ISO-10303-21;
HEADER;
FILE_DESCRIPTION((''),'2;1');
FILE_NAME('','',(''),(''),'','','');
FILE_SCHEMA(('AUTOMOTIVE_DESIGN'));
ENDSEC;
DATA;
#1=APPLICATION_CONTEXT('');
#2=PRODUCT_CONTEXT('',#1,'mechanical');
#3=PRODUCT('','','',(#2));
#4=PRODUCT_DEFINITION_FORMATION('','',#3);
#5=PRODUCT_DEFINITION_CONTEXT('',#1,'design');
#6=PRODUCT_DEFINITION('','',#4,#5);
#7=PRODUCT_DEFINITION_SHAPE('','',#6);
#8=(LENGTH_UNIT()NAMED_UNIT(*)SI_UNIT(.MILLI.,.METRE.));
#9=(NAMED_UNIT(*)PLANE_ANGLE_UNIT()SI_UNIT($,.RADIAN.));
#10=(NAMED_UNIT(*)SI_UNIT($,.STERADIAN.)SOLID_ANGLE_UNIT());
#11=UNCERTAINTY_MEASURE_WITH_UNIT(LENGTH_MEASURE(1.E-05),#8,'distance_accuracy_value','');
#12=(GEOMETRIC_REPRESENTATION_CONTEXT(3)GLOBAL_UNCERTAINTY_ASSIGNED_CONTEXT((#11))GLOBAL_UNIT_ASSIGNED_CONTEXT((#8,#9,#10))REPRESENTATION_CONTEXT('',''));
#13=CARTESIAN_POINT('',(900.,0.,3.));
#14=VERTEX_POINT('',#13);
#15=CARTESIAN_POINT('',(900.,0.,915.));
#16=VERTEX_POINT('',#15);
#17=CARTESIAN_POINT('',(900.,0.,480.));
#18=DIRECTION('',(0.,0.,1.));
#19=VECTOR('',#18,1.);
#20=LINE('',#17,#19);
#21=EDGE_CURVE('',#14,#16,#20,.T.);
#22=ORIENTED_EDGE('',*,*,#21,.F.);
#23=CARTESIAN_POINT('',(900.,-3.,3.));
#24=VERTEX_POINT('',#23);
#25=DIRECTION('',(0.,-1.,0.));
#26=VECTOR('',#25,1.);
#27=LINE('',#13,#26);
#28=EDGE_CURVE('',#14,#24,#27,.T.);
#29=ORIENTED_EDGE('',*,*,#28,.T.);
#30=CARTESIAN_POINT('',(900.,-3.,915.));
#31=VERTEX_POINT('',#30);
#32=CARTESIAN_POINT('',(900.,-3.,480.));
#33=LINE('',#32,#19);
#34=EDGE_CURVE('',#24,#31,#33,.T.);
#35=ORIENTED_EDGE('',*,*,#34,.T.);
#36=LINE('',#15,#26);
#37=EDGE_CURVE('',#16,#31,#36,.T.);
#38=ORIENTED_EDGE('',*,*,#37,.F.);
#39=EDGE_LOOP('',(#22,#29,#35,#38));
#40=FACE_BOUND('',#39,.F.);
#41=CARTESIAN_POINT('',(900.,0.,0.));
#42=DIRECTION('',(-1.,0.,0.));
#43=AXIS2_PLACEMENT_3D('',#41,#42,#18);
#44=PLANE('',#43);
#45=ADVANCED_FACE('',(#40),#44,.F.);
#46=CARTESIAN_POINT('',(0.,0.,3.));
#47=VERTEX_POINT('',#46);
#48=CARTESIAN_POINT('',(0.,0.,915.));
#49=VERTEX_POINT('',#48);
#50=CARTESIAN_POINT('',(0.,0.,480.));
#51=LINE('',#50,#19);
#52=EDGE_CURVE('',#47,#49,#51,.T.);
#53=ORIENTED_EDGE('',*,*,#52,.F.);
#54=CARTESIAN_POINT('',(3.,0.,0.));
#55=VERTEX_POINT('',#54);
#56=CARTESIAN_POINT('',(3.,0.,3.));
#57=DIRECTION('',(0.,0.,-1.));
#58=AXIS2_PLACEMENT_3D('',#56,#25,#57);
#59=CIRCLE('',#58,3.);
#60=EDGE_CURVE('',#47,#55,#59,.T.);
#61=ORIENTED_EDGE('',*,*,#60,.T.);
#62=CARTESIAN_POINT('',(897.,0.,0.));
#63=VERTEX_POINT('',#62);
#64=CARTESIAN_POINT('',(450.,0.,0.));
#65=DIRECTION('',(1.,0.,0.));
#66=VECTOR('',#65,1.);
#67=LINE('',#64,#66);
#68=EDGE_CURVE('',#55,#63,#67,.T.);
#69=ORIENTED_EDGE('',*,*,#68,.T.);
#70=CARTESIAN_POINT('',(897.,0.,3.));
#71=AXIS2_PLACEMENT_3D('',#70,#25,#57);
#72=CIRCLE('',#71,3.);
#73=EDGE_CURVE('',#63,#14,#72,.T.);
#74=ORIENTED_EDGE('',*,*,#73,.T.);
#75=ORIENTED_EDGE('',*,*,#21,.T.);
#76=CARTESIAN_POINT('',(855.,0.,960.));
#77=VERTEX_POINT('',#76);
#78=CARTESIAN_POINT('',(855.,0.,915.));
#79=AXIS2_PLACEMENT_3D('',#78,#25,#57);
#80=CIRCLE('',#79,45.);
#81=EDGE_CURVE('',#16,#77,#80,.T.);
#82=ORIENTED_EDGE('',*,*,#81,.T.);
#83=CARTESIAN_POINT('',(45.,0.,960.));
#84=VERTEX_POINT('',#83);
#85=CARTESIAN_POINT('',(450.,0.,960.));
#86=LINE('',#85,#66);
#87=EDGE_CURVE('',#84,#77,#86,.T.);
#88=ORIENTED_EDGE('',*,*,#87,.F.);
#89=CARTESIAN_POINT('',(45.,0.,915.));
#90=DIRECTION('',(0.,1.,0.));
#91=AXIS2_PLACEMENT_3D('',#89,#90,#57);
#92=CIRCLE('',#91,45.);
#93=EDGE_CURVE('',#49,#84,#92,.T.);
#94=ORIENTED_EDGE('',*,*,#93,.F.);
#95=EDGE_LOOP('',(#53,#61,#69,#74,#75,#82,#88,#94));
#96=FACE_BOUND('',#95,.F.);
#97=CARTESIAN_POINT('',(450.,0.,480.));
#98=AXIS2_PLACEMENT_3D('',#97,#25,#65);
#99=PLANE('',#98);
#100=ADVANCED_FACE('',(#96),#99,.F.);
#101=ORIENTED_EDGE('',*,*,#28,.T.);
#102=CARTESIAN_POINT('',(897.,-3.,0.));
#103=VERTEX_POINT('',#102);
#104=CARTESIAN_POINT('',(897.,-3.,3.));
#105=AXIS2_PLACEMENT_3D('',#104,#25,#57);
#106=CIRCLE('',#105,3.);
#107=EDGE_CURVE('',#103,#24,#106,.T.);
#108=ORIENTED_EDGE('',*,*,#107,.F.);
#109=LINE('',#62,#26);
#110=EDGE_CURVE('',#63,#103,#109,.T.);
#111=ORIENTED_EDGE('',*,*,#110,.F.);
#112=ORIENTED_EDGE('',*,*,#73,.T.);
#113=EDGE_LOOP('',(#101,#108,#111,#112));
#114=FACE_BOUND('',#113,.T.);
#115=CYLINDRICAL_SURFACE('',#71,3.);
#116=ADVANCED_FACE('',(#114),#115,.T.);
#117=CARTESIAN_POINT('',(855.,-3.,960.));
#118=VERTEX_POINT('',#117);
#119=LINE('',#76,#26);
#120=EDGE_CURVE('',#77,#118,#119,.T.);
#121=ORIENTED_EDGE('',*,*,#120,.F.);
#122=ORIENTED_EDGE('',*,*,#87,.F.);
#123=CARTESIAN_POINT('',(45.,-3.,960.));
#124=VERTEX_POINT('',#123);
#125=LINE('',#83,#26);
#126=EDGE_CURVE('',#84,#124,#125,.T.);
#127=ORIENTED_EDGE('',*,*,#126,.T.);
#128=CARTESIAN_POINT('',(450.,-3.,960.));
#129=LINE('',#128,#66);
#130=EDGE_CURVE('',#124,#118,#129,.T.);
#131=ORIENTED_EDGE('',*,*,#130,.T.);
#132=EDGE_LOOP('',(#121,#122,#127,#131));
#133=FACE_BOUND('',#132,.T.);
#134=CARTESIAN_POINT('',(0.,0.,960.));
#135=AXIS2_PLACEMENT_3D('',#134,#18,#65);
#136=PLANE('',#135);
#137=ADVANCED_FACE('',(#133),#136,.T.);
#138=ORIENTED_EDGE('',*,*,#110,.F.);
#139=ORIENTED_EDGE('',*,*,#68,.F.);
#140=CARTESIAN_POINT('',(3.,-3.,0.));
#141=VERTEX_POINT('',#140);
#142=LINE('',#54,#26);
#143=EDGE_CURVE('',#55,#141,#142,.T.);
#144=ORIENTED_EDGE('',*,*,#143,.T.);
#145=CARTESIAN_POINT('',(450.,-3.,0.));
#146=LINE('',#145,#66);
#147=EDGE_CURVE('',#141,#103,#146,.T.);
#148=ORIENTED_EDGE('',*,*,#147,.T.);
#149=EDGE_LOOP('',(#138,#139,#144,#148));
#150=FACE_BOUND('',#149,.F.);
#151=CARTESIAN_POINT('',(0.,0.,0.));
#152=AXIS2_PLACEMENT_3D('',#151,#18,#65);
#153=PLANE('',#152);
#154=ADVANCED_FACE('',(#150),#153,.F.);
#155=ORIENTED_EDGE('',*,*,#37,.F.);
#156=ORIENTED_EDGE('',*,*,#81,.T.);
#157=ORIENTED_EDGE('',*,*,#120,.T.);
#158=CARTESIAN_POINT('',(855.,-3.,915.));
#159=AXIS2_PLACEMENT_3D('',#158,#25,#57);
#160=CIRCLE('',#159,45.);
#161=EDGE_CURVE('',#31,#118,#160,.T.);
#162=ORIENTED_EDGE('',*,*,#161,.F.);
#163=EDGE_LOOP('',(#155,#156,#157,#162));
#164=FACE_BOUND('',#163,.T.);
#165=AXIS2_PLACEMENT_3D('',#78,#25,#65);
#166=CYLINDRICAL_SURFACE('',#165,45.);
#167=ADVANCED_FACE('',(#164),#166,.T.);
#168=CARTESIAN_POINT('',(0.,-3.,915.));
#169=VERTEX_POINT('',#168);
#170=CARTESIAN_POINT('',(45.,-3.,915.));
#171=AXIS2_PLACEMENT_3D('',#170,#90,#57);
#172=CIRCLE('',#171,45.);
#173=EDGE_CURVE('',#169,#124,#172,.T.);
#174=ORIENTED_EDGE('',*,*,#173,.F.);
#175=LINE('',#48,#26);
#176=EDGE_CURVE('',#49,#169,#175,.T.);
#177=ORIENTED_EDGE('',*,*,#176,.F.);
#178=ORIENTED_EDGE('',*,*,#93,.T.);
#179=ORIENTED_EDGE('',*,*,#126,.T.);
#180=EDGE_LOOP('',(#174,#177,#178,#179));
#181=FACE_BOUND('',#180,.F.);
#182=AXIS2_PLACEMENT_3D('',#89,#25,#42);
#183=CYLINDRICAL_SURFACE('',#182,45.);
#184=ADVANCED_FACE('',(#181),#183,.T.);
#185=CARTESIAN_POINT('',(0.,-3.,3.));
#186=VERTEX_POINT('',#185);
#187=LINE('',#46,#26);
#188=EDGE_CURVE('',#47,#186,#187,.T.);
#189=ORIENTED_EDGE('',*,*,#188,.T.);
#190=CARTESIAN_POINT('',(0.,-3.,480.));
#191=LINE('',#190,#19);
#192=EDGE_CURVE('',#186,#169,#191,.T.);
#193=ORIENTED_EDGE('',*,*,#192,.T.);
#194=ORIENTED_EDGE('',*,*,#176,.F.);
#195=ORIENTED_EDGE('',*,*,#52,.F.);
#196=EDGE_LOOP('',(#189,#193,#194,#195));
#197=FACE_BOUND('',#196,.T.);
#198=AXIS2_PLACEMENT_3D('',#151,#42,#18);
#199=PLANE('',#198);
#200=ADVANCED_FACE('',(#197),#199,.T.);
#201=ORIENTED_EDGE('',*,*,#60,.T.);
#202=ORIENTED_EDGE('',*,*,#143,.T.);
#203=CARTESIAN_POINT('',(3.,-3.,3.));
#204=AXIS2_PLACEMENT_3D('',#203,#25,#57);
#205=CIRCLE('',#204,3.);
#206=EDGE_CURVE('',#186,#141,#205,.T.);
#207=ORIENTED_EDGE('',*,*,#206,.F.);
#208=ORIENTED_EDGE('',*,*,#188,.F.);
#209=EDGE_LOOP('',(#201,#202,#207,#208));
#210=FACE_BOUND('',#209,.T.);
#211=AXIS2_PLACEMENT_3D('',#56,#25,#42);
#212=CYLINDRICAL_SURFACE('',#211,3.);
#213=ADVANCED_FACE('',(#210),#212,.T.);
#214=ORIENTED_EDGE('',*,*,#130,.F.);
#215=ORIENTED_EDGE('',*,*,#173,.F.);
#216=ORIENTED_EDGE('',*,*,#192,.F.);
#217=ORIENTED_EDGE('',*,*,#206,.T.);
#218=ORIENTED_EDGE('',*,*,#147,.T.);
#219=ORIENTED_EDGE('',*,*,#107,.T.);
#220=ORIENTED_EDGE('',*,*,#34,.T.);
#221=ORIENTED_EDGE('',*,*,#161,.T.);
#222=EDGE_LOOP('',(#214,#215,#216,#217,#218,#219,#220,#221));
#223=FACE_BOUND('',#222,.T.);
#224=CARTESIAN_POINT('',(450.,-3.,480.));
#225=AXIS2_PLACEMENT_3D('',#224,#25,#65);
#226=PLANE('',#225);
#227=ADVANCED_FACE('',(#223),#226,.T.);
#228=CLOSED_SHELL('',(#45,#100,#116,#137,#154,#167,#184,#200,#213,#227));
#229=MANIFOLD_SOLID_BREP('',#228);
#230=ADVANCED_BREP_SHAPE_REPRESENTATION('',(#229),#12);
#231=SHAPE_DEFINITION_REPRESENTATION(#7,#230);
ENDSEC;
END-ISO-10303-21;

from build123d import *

# Parameters (mm, degrees)
F0_W     = 900
F0_H     = 960
F1_DEPTH = 3
F2_R     = 45
F3_R     = 3


with BuildPart() as f1:
    # F0 (on Front) → F1 (new body)
    with BuildSketch(Plane.XZ):
        with Locations((450, 480)):
            Rectangle(F0_W, F0_H)
    extrude(amount=F1_DEPTH)

    # F2
    f2_edges = [f1.edges().sort_by_distance(p)[0] for p in [
        (900, -1.5, 960),
        (0, -1.5, 960),
    ]]
    fillet(f2_edges, radius=F2_R)

    # F3
    f3_edges = [f1.edges().sort_by_distance(p)[0] for p in [
        (900, -1.5, 0),
        (0, -1.5, 0),
    ]]
    fillet(f3_edges, radius=F3_R)


solid = f1.part
